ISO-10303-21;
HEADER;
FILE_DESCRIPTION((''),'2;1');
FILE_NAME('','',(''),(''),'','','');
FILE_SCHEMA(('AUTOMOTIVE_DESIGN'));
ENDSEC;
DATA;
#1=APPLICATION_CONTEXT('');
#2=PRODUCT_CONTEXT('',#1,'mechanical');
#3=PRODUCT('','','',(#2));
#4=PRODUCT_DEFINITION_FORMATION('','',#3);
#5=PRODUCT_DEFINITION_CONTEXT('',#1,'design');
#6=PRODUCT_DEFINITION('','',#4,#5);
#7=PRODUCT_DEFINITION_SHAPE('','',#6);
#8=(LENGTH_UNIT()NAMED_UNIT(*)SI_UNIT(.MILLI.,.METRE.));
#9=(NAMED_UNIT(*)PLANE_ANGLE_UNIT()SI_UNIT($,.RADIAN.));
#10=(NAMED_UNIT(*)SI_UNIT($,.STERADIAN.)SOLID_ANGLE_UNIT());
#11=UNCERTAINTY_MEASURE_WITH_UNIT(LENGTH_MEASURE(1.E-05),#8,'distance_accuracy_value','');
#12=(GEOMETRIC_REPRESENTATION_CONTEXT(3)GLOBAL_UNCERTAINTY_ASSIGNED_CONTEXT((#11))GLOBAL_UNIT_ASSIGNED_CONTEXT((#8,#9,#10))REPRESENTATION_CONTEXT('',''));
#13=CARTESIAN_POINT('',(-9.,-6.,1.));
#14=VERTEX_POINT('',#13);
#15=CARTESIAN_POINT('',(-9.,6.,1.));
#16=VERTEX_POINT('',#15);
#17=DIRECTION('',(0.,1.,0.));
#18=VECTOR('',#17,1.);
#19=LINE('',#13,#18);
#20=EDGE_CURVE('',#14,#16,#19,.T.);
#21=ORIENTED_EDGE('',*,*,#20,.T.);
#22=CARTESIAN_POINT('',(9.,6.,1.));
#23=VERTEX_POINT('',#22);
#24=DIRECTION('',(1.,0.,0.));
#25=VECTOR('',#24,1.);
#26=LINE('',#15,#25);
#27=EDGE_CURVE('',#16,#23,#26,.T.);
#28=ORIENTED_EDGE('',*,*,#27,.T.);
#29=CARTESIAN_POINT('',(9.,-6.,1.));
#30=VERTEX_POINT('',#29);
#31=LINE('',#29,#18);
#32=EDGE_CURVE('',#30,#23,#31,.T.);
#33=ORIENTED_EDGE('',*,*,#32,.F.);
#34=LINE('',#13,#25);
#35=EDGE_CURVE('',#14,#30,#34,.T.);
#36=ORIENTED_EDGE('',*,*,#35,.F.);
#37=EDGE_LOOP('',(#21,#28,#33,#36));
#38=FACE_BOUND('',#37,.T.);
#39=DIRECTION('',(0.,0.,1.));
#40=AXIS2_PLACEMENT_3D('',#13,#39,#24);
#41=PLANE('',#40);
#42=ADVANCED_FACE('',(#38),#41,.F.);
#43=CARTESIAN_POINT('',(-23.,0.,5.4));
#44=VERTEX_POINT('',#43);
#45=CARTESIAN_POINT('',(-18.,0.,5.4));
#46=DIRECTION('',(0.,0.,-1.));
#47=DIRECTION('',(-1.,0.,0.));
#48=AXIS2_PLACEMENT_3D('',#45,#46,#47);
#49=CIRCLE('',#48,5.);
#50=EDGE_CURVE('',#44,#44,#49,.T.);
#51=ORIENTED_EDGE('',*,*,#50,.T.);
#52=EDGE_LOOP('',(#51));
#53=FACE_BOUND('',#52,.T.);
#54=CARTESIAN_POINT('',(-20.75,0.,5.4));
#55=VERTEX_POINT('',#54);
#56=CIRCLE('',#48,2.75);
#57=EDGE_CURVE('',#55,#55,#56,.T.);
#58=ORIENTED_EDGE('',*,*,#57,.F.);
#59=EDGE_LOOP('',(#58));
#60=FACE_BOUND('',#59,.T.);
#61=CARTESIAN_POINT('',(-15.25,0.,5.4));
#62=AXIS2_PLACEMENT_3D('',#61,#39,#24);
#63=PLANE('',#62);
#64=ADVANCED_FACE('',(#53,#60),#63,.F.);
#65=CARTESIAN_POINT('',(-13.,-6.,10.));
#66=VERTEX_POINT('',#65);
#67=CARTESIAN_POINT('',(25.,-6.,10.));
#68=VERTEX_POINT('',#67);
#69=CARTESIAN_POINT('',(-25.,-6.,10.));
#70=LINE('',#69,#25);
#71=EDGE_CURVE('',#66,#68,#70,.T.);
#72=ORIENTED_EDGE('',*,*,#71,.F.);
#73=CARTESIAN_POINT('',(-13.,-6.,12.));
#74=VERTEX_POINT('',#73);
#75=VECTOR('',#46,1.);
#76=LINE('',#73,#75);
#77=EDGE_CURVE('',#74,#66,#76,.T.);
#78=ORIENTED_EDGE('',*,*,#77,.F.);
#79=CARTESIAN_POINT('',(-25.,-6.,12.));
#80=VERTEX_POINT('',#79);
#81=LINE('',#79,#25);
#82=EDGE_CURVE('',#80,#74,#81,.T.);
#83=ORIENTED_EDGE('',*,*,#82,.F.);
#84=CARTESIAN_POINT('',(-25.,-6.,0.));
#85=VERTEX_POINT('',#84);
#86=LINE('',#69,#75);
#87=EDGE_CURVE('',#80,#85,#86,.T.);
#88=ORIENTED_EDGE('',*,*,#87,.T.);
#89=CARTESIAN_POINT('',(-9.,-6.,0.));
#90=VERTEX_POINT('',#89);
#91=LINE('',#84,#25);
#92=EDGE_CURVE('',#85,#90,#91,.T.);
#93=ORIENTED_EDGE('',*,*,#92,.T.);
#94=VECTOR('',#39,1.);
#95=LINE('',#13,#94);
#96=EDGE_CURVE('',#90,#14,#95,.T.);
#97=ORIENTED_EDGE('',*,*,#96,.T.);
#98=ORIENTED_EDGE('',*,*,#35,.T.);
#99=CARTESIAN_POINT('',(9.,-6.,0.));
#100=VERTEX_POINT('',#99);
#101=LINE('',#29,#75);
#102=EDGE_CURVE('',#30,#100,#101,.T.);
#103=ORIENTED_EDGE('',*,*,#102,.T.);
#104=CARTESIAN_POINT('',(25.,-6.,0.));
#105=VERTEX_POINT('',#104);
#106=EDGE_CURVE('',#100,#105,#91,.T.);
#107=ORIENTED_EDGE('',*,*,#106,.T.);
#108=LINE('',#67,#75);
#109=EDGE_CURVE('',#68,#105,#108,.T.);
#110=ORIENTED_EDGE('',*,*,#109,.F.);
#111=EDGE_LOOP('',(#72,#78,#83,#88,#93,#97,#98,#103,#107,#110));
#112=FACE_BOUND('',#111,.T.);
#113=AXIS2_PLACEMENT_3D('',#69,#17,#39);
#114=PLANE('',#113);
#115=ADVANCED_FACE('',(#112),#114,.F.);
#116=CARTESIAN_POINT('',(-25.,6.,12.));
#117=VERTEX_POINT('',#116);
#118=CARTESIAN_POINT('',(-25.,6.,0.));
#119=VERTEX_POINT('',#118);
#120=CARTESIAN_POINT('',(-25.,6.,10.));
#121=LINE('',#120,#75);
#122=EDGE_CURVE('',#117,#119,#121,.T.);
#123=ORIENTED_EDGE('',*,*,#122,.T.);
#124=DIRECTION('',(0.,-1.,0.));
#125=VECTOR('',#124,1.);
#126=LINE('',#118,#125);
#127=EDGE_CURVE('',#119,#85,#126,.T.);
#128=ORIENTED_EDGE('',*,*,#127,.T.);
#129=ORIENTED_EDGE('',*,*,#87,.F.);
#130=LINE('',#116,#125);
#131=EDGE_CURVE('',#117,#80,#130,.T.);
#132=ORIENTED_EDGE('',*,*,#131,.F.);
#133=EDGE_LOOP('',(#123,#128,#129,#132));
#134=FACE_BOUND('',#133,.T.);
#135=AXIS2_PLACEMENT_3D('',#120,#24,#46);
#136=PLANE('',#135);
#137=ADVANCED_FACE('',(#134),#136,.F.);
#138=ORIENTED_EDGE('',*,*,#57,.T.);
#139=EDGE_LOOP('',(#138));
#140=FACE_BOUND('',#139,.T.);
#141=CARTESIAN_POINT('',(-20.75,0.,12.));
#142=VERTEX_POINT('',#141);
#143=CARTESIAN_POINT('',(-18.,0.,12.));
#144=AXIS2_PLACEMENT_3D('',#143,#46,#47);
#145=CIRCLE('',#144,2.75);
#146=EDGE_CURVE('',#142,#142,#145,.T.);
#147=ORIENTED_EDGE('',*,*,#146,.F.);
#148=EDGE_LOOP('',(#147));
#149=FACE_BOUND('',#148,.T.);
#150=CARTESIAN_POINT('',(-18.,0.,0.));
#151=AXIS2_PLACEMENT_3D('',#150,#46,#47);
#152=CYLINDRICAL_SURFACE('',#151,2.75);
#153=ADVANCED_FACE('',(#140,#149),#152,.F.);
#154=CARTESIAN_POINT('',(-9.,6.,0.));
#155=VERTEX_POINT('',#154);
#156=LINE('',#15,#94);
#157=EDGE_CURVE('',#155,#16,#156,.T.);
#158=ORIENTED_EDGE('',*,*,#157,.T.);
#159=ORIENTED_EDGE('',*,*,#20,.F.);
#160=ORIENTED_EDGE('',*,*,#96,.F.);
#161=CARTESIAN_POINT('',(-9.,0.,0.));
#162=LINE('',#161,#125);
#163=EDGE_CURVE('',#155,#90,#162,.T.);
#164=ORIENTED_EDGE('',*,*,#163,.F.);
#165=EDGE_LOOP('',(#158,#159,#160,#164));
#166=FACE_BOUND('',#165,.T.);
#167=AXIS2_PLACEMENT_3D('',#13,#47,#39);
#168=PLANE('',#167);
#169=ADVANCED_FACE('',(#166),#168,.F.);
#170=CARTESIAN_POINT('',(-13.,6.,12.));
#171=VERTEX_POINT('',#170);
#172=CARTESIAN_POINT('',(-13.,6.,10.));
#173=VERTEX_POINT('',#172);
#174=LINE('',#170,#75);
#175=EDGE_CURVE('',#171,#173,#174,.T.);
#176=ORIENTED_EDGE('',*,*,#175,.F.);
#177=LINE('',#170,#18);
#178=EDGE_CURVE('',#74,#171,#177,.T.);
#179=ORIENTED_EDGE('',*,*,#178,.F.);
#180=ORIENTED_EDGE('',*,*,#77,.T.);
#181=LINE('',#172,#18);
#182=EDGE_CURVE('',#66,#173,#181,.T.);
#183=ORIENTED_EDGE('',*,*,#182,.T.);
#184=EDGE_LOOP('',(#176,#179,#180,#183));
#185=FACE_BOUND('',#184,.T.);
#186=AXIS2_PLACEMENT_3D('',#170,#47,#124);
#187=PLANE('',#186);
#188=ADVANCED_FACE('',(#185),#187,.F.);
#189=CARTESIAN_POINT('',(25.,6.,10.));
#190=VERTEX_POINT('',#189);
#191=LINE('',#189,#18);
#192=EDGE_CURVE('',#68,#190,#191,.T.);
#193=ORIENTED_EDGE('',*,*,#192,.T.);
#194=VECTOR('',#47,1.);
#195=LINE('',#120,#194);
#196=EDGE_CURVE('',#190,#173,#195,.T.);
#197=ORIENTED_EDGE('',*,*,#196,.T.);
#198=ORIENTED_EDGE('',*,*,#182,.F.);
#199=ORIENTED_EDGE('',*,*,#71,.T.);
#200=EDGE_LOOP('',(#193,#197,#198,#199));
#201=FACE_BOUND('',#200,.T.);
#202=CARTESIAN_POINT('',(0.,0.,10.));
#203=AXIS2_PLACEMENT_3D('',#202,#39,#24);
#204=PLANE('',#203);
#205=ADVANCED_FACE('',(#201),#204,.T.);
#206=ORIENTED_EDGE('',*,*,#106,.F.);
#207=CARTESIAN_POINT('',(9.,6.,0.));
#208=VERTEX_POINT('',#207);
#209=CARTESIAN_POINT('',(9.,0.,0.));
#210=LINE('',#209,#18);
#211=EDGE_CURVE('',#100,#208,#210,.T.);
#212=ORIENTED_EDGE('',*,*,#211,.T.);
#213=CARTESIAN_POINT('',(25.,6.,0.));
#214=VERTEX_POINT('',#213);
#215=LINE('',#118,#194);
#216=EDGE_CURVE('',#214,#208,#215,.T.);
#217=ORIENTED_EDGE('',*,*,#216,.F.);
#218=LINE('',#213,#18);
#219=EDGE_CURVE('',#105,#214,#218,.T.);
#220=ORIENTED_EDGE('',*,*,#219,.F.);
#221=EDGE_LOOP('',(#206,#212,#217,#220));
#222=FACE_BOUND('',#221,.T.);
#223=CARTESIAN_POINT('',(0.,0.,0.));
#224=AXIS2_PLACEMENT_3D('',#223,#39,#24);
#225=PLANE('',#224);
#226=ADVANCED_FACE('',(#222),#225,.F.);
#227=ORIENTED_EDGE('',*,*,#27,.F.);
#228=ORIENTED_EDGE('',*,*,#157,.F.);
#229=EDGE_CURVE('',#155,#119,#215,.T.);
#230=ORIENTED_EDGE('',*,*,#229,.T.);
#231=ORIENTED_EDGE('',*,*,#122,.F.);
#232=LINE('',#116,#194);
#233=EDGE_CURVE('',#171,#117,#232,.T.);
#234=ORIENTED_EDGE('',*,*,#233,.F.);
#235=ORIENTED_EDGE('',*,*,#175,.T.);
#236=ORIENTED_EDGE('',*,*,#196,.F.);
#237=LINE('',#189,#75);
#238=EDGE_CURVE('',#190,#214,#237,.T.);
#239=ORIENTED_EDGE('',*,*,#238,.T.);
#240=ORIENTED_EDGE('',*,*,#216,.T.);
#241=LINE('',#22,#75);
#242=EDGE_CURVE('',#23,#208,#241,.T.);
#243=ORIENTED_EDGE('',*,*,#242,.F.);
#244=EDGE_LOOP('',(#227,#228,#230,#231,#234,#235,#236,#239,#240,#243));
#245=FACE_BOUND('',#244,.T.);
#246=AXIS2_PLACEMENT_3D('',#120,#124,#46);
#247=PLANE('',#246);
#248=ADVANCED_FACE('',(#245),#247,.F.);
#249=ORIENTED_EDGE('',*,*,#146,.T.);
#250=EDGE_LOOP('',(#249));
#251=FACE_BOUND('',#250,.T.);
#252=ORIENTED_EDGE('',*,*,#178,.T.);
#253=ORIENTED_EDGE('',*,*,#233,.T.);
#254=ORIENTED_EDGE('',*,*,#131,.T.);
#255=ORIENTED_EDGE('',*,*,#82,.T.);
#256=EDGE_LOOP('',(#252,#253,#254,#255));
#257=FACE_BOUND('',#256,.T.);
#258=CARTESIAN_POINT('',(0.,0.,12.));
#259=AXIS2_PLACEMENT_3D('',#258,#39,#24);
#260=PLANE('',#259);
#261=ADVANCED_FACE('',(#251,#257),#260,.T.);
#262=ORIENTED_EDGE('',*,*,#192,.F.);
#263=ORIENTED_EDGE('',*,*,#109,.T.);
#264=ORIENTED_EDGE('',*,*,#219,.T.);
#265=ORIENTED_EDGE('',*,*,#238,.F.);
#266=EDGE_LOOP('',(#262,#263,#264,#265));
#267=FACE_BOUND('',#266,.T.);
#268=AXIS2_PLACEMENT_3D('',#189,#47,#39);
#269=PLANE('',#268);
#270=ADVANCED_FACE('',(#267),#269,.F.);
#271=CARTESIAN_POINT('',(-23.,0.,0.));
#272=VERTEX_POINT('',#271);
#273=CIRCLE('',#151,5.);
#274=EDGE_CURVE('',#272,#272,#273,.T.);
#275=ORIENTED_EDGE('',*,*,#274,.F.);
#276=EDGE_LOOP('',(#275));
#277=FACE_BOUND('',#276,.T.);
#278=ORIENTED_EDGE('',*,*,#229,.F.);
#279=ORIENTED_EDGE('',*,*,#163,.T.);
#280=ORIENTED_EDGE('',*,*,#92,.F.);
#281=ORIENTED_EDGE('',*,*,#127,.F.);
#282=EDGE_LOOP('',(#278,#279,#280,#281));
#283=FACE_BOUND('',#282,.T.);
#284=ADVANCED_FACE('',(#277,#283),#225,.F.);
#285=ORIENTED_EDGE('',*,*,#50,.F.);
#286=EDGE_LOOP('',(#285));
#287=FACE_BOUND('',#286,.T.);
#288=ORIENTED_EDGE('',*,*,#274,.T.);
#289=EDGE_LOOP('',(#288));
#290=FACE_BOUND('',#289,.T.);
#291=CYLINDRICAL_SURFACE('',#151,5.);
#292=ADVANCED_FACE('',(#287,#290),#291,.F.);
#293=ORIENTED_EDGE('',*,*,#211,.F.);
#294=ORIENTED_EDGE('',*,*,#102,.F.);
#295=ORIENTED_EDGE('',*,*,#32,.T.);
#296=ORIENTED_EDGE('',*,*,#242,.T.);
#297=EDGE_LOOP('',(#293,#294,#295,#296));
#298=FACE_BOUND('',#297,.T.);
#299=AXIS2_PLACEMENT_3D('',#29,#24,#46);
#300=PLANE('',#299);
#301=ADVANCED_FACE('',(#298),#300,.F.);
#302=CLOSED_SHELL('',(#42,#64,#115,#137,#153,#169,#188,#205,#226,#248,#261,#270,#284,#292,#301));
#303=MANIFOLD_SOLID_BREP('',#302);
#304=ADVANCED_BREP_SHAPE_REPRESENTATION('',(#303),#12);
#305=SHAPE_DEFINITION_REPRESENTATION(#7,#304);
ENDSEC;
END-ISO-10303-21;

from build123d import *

# Parameters (mm, degrees)
ESQUISSE1_W                                        = 50
ESQUISSE1_H                                        = 12
BOSS_EXTRU_1_DEPTH                                 = 10
ESQUISSE3_W                                        = 12
ESQUISSE3_H                                        = 12
BOSS_EXTRU_2_DEPTH                                 = 2
ENL_V_MAT_EXTRU_3_DEPTH                            = 29.372521918
ENL_V_MAT_EXTRU_3_DEPTH_BACK                       = 29.372521918
ESQUISSE4_W                                        = 18
ESQUISSE4_H                                        = 3.498401272
CHAMBRAGE_POUR_VIS_T_TE_HEXAGONALE_M52_D           = 5.5
CHAMBRAGE_POUR_VIS_T_TE_HEXAGONALE_M52_CBORE_D     = 10
CHAMBRAGE_POUR_VIS_T_TE_HEXAGONALE_M52_CBORE_DEPTH = 5.4


with BuildPart() as part:
    # Esquisse1 → Boss.-Extru.1 (new body)
    with BuildSketch(Plane.XY):
        Rectangle(ESQUISSE1_W, ESQUISSE1_H)
    extrude(amount=BOSS_EXTRU_1_DEPTH)

    # Esquisse3 → Boss.-Extru.2 (add)
    with BuildSketch(Plane.XY.offset(10)):
        with Locations((-19, 0)):
            Rectangle(ESQUISSE3_W, ESQUISSE3_H)
    extrude(amount=BOSS_EXTRU_2_DEPTH)

    # Esquisse4 → Enlèv. mat.-Extru.3 (cut, two sides: drawn at the far end of the back side and taken through both)
    with BuildSketch(Plane(origin=(0, 0, 0), x_dir=(1, 0, 0), z_dir=(0, 1, 0)).offset(-ENL_V_MAT_EXTRU_3_DEPTH_BACK)):
        with Locations((0, 0.749200636)):
            Rectangle(ESQUISSE4_W, ESQUISSE4_H)
    extrude(amount=ENL_V_MAT_EXTRU_3_DEPTH + ENL_V_MAT_EXTRU_3_DEPTH_BACK, mode=Mode.SUBTRACT)

    # Chambrage pour vis à tête hexagonale M52 (through all)
    with Locations(Plane(origin=(0, 0, 0), x_dir=(-1, 0, 0), z_dir=(0, 0, -1))):
        with Locations((18, 0)):
            CounterBoreHole(CHAMBRAGE_POUR_VIS_T_TE_HEXAGONALE_M52_D / 2, CHAMBRAGE_POUR_VIS_T_TE_HEXAGONALE_M52_CBORE_D / 2, CHAMBRAGE_POUR_VIS_T_TE_HEXAGONALE_M52_CBORE_DEPTH)


solid = part.part
